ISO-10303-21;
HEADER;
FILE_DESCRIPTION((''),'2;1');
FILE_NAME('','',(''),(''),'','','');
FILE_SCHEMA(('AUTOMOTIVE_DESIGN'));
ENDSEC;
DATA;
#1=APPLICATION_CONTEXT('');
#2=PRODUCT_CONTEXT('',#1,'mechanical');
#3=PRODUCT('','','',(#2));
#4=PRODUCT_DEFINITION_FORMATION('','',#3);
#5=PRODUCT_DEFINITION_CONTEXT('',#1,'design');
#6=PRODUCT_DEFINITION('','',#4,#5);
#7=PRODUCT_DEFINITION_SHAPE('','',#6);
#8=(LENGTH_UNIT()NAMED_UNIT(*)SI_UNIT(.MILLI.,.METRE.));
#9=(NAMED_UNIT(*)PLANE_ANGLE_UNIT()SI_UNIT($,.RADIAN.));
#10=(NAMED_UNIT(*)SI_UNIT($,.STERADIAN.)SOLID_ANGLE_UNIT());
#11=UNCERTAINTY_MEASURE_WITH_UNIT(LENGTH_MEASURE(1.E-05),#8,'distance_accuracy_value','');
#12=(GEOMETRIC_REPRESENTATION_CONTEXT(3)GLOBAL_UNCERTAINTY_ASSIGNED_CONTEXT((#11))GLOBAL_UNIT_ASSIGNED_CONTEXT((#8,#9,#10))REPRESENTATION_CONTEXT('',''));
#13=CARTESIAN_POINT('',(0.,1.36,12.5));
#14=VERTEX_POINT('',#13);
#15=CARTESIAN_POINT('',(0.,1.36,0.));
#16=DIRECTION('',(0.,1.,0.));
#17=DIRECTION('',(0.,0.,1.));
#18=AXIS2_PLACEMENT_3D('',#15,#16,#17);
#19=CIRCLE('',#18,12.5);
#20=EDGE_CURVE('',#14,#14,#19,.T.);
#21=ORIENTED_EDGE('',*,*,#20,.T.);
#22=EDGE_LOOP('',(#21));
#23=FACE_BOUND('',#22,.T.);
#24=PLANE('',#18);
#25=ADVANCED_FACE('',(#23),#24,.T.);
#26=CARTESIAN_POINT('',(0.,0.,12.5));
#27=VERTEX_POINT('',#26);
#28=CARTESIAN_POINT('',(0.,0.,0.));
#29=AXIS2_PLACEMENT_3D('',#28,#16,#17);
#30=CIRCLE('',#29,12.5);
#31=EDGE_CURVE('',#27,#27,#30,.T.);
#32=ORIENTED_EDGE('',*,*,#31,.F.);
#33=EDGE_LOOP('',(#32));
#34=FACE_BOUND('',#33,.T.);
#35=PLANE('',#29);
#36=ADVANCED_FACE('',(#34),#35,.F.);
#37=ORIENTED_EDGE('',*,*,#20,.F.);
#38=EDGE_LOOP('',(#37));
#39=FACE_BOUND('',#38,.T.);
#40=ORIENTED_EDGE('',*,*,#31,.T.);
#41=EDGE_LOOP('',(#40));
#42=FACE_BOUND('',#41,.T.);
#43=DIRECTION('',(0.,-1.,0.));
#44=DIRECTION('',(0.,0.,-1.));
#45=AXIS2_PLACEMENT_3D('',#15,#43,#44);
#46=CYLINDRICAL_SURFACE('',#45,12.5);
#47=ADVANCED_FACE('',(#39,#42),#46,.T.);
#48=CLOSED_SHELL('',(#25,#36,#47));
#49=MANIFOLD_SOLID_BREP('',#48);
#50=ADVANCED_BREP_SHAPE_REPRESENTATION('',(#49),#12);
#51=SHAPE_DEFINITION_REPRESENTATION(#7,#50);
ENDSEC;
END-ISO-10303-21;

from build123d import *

# Parameters (mm, degrees)
SKETCH_1_R      = 12.5
EXTRUDE_1_DEPTH = 1.36


with BuildPart() as part:
    # 草图1 → 凸台-拉伸1 (new body)
    with BuildSketch(Plane(origin=(0, 0, 0), x_dir=(1, 0, 0), z_dir=(0, 1, 0))):
        with Locations(Location((0, 0, 0), (0, 0, 270))):  # turned: the seam where the file's is
            Circle(SKETCH_1_R)
    extrude(amount=EXTRUDE_1_DEPTH)


solid = part.part
